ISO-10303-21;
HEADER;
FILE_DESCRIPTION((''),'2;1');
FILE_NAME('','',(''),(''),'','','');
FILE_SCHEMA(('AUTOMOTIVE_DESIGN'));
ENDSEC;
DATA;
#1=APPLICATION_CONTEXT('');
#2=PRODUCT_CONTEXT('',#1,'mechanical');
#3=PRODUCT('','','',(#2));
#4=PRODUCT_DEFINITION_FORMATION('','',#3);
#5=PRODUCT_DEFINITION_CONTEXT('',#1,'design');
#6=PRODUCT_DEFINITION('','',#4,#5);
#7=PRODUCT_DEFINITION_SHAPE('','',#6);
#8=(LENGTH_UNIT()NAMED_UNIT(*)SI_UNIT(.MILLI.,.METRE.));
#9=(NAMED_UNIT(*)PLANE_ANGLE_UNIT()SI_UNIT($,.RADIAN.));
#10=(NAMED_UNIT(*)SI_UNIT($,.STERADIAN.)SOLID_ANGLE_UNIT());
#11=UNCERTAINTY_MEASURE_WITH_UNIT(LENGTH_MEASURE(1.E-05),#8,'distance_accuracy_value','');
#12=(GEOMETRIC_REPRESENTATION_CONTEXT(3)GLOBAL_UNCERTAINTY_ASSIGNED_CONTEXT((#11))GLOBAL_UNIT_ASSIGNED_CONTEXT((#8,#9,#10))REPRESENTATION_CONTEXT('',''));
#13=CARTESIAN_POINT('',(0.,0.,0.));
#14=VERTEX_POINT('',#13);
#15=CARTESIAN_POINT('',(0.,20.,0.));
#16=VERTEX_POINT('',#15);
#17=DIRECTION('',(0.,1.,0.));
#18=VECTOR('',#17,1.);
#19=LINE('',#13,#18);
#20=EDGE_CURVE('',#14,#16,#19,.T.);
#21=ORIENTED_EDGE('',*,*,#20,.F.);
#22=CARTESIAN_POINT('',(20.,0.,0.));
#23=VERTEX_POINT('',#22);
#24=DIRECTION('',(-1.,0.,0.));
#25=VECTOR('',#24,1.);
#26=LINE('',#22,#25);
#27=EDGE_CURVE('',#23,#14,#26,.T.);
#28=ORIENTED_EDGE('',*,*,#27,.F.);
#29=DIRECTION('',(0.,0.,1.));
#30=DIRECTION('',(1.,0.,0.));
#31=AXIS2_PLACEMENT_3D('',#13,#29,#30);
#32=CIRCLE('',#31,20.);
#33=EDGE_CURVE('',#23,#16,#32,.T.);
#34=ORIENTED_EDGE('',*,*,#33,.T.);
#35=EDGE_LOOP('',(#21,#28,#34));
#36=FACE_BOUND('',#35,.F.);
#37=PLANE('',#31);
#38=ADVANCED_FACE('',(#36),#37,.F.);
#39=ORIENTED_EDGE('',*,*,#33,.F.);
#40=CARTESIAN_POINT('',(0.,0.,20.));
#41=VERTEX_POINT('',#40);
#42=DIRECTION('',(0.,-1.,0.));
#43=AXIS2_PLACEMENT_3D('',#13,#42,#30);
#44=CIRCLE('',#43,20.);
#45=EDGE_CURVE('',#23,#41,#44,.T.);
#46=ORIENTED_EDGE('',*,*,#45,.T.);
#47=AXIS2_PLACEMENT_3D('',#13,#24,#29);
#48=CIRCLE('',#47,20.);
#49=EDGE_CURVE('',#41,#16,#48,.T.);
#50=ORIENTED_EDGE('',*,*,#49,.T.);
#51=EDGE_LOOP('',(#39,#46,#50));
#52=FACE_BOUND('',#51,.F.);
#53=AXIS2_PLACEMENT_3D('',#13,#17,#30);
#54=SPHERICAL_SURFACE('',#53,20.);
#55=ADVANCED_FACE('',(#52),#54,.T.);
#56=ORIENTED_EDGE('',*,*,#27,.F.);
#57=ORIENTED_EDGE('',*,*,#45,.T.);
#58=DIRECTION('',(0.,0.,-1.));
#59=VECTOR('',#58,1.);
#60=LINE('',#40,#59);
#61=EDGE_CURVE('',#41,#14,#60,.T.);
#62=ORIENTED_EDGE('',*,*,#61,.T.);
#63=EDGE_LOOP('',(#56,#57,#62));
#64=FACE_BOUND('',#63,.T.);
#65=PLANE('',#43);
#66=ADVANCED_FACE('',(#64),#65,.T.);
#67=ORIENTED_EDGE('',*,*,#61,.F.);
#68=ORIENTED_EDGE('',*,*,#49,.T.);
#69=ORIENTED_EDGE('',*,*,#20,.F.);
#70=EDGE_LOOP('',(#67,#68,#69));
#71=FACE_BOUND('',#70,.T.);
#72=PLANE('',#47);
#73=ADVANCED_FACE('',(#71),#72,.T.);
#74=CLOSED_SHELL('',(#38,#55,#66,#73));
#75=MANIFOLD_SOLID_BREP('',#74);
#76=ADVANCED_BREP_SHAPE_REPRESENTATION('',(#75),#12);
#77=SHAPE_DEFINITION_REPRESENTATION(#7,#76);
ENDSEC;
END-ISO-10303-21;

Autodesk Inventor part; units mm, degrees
ref_plane "YZ Plane" through (0, 0, 0) normal (1, 0, 0) x (0, 1, 0)
ref_plane "XZ Plane" through (0, 0, 0) normal (0, 1, 0) x (-1, 0, 0)
ref_plane "XY Plane" through (0, 0, 0) normal (0, 0, 1) x (1, 0, 0)
sketch "スケッチ1" plane through (0, 0, 0) normal (0, 0, 1) x (1, 0, 0)
  arc A0 (20, 0) -> (0, 20) centre (0, 0) ccw
  line L0 (0, 0) -> (0, 20)
  line L1 (20, 0) -> (0, 0)
  dimension "d0" = 20
revolve "回転1" add sketch "スケッチ1" angle 90 about axis through (0, 0, 0) along (0, -1, 0)
properties part number "r_elbow" material "ゴム"
